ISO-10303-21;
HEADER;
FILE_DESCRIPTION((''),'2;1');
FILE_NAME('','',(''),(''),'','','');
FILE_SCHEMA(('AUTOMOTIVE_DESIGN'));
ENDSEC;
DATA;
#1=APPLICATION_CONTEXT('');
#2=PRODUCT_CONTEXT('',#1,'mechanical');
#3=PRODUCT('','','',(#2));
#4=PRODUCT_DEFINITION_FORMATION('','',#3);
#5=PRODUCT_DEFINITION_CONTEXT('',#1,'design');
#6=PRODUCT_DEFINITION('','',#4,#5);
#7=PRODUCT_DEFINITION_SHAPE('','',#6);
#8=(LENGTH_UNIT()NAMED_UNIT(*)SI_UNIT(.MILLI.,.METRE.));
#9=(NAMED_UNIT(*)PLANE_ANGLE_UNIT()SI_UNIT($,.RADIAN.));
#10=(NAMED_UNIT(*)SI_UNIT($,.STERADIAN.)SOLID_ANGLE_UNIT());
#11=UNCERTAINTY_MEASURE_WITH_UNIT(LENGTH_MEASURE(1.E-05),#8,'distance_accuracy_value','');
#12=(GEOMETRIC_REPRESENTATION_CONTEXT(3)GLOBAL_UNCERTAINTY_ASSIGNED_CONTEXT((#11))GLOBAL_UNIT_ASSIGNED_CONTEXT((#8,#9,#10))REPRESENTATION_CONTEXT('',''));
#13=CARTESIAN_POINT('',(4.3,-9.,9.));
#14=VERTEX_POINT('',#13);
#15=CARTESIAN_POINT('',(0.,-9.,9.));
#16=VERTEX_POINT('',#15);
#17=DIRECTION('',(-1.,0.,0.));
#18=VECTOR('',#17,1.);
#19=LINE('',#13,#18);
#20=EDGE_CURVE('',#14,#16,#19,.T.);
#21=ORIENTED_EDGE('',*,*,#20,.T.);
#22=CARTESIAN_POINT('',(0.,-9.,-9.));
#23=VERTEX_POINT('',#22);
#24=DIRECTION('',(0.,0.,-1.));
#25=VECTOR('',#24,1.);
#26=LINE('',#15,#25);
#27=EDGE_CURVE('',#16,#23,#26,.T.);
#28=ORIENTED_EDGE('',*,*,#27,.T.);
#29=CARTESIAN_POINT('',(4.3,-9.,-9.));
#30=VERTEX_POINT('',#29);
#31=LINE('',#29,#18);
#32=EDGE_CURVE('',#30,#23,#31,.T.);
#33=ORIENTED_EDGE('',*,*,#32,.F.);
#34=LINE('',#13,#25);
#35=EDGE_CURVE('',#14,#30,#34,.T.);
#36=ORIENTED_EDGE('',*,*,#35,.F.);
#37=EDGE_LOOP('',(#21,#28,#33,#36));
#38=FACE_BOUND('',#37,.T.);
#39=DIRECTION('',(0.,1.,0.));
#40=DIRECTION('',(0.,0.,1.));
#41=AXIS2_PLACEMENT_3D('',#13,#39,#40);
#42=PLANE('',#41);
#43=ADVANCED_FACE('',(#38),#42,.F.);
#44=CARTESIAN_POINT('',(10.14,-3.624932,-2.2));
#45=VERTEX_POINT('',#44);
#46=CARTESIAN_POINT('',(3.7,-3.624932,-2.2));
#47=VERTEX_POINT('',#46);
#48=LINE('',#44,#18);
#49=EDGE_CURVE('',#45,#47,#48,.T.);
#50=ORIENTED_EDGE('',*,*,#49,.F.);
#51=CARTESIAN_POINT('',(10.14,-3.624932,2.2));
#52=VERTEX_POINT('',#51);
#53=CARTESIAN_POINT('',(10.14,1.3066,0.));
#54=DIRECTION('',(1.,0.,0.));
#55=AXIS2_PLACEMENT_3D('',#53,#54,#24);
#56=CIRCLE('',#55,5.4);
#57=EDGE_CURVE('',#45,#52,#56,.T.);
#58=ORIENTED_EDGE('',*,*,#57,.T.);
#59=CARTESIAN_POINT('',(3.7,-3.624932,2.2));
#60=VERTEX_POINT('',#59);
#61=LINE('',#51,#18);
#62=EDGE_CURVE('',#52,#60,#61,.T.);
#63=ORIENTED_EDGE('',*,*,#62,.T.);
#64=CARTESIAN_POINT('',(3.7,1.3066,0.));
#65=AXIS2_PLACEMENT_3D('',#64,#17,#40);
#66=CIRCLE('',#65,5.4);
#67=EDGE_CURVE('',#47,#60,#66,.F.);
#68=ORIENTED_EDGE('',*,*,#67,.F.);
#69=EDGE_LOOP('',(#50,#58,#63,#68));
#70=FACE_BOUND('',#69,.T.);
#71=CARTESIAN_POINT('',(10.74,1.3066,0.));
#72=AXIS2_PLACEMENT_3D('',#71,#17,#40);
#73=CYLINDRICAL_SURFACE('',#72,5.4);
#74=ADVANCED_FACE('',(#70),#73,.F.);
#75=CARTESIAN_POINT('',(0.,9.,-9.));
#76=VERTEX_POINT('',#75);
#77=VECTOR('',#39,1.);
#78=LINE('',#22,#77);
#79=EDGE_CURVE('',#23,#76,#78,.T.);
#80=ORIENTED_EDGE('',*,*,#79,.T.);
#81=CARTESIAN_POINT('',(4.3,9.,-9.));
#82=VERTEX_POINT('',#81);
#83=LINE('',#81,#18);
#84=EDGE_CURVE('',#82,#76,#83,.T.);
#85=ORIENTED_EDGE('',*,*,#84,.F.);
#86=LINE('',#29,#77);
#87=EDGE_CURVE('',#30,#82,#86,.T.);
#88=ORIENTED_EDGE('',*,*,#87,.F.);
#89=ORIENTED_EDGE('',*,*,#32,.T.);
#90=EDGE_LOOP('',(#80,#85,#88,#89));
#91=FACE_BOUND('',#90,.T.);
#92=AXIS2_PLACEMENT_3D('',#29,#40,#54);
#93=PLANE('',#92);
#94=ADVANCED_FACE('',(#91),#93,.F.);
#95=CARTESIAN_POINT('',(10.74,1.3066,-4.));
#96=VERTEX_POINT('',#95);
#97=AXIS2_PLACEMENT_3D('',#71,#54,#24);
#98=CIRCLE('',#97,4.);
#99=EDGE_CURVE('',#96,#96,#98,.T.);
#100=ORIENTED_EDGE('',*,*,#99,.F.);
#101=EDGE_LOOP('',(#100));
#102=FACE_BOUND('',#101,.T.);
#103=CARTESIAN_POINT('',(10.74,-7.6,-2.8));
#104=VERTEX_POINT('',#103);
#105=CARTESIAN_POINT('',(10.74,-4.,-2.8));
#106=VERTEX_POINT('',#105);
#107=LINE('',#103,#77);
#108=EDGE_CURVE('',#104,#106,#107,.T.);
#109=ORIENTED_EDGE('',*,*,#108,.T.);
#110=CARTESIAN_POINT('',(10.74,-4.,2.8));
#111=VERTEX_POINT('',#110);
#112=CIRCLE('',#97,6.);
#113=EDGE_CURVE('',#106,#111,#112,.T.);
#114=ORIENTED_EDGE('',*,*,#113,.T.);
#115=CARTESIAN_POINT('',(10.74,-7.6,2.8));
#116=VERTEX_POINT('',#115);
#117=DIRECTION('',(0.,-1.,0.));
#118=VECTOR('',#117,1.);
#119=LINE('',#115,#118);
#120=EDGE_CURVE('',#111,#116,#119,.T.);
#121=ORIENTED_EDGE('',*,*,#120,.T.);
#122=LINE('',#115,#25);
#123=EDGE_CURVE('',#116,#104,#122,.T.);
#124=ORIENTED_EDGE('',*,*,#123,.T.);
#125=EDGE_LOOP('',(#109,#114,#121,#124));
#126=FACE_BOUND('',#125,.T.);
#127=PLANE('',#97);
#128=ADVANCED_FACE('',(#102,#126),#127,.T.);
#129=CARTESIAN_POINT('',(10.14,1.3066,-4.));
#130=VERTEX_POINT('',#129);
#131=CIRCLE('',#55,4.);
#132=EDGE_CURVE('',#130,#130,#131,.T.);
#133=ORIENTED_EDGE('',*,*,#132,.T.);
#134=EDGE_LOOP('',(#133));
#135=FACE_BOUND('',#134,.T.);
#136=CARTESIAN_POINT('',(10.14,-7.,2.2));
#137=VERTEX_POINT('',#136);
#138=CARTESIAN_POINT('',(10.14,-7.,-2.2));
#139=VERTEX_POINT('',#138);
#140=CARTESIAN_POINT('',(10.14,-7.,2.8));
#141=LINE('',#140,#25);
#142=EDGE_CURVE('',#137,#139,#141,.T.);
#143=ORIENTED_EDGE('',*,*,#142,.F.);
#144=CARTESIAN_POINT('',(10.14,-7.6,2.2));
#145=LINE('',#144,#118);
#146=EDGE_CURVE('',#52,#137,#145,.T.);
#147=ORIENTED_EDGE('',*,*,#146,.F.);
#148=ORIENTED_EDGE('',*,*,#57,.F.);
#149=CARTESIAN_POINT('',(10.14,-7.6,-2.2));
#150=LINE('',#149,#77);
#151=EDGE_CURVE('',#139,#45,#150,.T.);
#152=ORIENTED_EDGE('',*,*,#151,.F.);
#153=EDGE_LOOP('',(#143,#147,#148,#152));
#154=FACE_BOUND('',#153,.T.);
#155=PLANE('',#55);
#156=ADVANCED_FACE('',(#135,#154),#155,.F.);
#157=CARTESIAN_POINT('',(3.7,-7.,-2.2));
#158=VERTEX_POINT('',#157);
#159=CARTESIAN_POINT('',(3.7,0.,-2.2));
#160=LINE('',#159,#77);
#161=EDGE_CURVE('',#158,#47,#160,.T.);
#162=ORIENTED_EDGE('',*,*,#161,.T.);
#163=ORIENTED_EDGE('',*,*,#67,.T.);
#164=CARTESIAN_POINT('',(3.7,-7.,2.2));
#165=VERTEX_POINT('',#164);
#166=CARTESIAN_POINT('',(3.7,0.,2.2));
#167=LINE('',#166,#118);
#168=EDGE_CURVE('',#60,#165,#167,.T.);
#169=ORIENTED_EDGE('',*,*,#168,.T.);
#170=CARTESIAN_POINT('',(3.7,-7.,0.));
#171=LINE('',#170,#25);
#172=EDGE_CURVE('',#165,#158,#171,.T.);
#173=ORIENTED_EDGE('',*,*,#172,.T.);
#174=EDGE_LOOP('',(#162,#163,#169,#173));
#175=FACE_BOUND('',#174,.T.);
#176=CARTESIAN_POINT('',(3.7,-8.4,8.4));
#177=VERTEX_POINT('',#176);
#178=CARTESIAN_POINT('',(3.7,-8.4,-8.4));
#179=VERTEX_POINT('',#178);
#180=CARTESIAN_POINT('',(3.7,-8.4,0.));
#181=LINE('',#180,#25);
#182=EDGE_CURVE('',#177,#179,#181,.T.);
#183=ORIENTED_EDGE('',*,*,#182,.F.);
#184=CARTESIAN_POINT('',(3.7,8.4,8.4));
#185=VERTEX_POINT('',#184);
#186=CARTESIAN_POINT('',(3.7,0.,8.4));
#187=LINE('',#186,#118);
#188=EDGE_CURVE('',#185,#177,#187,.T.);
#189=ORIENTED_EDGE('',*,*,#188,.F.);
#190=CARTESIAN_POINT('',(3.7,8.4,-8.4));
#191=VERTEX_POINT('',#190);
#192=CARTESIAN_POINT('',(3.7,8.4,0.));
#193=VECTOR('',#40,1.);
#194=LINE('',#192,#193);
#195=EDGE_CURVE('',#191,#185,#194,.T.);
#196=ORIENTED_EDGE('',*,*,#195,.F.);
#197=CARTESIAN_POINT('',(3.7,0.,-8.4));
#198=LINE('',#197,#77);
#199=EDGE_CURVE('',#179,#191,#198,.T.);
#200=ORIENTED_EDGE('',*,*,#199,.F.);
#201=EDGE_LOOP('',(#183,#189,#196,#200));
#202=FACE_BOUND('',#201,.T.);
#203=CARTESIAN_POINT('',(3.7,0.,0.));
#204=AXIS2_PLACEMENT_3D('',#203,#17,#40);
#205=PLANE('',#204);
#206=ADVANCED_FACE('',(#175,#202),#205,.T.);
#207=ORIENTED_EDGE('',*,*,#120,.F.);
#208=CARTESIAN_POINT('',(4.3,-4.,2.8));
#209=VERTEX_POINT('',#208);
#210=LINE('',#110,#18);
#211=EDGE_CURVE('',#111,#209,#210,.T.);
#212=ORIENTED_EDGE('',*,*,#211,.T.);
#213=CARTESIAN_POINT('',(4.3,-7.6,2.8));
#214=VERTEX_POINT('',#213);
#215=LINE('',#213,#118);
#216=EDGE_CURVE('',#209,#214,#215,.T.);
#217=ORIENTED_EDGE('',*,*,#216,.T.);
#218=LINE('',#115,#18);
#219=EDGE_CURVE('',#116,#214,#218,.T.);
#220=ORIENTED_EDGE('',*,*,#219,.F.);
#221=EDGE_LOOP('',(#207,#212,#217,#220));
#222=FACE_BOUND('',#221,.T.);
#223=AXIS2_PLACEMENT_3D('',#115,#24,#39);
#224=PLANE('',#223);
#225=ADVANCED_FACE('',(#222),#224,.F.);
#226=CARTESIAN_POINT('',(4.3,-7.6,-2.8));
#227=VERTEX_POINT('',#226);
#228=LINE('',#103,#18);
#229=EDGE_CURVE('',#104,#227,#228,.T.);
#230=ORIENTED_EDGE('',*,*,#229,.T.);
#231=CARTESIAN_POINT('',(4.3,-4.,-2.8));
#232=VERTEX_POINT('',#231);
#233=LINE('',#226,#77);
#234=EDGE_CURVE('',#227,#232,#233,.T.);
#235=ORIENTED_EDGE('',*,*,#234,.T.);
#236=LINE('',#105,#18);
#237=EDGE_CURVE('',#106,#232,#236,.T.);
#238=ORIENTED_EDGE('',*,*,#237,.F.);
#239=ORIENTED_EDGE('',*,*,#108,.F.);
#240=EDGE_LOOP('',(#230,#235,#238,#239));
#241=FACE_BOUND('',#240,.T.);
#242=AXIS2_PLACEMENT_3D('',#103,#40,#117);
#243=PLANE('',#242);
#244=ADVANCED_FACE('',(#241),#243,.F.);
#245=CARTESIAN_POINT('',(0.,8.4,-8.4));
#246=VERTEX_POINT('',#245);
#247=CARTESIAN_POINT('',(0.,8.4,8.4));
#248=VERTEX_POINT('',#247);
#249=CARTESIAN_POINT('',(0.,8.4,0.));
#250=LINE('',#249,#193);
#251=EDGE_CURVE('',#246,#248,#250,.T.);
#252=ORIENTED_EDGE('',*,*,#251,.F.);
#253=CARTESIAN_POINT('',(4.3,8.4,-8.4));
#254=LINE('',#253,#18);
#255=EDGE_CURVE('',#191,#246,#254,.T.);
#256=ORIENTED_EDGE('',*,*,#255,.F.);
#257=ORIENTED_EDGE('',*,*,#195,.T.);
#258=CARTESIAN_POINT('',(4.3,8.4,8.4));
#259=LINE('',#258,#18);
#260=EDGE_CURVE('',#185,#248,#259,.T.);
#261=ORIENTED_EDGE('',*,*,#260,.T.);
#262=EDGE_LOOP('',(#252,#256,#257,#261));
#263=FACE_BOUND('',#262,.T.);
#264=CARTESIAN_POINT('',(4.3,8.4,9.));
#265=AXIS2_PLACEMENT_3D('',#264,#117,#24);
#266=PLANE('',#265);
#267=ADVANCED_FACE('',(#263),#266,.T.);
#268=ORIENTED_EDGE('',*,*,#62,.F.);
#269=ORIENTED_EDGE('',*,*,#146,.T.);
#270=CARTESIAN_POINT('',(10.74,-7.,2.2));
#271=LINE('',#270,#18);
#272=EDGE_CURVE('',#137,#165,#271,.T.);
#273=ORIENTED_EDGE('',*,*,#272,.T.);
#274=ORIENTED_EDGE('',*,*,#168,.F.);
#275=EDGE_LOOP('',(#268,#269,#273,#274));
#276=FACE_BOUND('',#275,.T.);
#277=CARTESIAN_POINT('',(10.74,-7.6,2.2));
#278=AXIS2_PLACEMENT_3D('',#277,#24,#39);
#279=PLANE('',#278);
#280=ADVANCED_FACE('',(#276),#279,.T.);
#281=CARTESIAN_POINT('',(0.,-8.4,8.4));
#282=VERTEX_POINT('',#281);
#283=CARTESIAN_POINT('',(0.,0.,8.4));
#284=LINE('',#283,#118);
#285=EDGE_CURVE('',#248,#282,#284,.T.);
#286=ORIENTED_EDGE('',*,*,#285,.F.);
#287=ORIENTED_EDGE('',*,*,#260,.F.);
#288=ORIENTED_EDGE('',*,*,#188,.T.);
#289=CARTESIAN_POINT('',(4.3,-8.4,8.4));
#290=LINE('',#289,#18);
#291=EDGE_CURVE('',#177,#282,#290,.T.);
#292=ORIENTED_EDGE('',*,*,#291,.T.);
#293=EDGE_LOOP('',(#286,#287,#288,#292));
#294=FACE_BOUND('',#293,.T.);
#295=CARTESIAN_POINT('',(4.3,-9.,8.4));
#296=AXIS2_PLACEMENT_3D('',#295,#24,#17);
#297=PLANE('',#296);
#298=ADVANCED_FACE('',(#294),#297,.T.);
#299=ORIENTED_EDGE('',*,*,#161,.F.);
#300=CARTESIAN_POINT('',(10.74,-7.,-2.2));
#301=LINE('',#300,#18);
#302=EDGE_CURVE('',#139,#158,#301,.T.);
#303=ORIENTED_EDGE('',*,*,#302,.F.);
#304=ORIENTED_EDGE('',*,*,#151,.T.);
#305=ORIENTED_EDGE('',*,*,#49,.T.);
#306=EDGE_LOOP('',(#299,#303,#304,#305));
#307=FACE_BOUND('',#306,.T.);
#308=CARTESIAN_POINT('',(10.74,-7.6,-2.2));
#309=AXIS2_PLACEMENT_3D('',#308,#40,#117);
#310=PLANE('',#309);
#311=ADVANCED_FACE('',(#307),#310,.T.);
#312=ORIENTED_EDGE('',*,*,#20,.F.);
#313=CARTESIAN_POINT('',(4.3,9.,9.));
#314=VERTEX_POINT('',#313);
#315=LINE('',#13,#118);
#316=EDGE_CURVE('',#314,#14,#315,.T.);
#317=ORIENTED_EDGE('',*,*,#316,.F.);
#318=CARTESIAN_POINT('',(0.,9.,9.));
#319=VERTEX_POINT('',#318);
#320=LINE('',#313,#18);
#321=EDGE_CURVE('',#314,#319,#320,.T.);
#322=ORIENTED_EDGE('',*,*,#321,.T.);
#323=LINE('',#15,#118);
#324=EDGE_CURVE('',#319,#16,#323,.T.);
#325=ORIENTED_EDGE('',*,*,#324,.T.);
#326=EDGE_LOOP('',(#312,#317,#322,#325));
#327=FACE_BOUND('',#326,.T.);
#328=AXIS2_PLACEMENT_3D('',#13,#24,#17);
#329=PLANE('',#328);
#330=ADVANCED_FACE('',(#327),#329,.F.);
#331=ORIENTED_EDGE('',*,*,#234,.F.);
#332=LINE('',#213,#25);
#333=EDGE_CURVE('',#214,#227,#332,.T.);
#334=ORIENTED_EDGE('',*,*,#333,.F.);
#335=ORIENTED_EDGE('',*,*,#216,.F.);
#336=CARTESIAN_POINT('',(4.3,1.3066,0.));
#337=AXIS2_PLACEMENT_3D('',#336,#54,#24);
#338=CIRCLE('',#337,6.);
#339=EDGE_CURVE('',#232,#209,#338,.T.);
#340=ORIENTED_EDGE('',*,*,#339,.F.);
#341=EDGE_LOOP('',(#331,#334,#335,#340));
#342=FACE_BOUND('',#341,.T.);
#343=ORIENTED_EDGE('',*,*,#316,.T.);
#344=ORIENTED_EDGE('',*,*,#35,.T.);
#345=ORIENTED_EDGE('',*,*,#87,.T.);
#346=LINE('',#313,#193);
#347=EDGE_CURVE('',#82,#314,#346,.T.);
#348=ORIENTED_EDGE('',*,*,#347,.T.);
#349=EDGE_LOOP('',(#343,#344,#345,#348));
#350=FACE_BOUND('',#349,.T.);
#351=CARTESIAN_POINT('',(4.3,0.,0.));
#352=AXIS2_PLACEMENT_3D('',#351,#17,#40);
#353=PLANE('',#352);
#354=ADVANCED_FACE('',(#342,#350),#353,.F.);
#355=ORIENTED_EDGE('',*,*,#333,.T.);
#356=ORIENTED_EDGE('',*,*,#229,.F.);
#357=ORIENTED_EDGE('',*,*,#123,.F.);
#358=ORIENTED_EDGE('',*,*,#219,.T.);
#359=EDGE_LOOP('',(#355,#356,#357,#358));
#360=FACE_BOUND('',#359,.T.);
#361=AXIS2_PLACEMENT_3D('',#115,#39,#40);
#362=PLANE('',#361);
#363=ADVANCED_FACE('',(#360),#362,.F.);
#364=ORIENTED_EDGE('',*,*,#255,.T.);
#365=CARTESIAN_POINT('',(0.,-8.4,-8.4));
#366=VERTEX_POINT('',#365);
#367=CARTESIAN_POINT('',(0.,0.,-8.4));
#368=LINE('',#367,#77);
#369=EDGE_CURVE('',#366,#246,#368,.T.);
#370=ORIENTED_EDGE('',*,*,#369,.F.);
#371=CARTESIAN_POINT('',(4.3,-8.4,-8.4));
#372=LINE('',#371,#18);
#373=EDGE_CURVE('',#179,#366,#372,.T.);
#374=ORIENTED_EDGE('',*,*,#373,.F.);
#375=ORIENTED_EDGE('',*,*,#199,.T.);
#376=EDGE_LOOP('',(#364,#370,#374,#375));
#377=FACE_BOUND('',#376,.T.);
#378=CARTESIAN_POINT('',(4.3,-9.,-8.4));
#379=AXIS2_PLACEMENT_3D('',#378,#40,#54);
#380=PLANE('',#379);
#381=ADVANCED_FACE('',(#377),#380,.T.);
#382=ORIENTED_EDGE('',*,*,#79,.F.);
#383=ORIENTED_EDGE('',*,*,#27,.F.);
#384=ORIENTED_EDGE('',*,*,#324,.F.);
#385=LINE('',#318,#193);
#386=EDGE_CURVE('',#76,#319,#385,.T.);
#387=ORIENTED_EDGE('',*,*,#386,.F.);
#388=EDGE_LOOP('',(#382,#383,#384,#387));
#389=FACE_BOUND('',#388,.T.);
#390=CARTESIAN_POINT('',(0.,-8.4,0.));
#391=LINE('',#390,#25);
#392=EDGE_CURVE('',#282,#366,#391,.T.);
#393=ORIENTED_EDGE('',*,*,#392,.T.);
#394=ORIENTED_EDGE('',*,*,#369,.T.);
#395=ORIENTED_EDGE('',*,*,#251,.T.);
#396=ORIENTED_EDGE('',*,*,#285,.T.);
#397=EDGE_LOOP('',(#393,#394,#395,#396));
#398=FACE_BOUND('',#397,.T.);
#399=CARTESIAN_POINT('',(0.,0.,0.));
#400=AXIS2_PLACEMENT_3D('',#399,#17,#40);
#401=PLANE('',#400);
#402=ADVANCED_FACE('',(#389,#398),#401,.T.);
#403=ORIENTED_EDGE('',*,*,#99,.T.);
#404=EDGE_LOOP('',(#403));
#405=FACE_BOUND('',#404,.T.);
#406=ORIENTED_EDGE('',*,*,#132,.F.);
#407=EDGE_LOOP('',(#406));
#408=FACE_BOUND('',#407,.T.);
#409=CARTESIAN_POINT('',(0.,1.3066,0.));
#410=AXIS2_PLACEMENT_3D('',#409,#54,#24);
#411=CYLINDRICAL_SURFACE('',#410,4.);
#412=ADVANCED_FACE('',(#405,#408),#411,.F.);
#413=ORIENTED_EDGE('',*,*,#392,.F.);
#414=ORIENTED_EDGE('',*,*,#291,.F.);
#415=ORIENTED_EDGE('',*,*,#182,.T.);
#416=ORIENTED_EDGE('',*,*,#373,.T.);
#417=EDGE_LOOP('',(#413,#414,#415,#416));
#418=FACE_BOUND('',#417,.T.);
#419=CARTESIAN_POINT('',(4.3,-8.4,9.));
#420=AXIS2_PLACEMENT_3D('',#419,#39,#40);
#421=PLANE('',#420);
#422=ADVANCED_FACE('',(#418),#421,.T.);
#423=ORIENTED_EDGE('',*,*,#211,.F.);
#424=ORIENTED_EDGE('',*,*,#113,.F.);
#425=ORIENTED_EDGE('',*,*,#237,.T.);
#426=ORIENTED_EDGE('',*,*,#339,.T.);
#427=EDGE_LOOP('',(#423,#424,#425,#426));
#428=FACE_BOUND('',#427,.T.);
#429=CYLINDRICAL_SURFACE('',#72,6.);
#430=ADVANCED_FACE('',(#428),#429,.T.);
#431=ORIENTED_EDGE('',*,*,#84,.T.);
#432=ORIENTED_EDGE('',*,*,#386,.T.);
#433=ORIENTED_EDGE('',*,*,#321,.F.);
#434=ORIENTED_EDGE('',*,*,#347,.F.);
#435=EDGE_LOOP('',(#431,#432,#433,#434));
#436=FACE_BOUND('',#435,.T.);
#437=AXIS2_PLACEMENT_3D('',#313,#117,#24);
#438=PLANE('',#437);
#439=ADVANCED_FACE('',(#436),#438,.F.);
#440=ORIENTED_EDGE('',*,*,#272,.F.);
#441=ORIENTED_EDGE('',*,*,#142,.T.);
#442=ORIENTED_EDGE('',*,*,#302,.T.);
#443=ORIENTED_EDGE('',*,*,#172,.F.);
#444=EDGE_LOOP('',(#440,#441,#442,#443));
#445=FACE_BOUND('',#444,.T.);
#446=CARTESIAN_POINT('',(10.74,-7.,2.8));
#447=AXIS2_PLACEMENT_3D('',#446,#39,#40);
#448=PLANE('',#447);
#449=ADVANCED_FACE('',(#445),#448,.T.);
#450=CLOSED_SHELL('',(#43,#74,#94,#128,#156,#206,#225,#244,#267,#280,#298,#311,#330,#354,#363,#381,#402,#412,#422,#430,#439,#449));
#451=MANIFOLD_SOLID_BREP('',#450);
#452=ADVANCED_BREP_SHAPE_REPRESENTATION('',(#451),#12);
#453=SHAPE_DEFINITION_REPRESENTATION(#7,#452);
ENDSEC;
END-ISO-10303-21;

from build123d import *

# Parameters (mm, degrees)
SKETCH2_W           = 18
SKETCH2_H           = 18
BOSS_EXTRUDE1_DEPTH = 4.3
BOSS_EXTRUDE2_DEPTH = 6.44
SHELL2_T            = -0.6
SKETCH5_R           = 4
CUT_EXTRUDE1_DEPTH  = 17.653756333


with BuildPart() as part:
    # Sketch2 → Boss-Extrude1 (new body)
    with BuildSketch(Plane(origin=(0, 0, 0), x_dir=(0, 0, -1), z_dir=(1, 0, 0))):
        Rectangle(SKETCH2_W, SKETCH2_H)
    extrude(amount=BOSS_EXTRUDE1_DEPTH)

    # Sketch4 → Boss-Extrude2 (add)
    with BuildSketch(Plane(origin=(4.3, 0, 0), x_dir=(0, 0, -1), z_dir=(1, 0, 0))):
        with BuildLine():
            Line((-2.8, -7.6), (2.8, -7.6))
            Line((2.8, -7.6), (2.8, -4))
            ThreePointArc((2.8, -4), (0, 7.306599665), (-2.8, -4))
            Line((-2.8, -4), (-2.8, -7.6))
        make_face()
    extrude(amount=BOSS_EXTRUDE2_DEPTH)

    # Shell2
    shell2_openings = [part.faces().sort_by_distance(p)[0] for p in [
        (0, 0, 0),
    ]]
    offset(amount=SHELL2_T, openings=shell2_openings, kind=Kind.INTERSECTION)

    # Sketch5 → Cut-Extrude1 (cut, through all)
    with BuildSketch(Plane(origin=(10.74, 0, 0), x_dir=(0, 0, -1), z_dir=(1, 0, 0))):
        with Locations((0, 1.306599665)):
            Circle(SKETCH5_R)
    extrude(amount=-CUT_EXTRUDE1_DEPTH, mode=Mode.SUBTRACT)


solid = part.part
